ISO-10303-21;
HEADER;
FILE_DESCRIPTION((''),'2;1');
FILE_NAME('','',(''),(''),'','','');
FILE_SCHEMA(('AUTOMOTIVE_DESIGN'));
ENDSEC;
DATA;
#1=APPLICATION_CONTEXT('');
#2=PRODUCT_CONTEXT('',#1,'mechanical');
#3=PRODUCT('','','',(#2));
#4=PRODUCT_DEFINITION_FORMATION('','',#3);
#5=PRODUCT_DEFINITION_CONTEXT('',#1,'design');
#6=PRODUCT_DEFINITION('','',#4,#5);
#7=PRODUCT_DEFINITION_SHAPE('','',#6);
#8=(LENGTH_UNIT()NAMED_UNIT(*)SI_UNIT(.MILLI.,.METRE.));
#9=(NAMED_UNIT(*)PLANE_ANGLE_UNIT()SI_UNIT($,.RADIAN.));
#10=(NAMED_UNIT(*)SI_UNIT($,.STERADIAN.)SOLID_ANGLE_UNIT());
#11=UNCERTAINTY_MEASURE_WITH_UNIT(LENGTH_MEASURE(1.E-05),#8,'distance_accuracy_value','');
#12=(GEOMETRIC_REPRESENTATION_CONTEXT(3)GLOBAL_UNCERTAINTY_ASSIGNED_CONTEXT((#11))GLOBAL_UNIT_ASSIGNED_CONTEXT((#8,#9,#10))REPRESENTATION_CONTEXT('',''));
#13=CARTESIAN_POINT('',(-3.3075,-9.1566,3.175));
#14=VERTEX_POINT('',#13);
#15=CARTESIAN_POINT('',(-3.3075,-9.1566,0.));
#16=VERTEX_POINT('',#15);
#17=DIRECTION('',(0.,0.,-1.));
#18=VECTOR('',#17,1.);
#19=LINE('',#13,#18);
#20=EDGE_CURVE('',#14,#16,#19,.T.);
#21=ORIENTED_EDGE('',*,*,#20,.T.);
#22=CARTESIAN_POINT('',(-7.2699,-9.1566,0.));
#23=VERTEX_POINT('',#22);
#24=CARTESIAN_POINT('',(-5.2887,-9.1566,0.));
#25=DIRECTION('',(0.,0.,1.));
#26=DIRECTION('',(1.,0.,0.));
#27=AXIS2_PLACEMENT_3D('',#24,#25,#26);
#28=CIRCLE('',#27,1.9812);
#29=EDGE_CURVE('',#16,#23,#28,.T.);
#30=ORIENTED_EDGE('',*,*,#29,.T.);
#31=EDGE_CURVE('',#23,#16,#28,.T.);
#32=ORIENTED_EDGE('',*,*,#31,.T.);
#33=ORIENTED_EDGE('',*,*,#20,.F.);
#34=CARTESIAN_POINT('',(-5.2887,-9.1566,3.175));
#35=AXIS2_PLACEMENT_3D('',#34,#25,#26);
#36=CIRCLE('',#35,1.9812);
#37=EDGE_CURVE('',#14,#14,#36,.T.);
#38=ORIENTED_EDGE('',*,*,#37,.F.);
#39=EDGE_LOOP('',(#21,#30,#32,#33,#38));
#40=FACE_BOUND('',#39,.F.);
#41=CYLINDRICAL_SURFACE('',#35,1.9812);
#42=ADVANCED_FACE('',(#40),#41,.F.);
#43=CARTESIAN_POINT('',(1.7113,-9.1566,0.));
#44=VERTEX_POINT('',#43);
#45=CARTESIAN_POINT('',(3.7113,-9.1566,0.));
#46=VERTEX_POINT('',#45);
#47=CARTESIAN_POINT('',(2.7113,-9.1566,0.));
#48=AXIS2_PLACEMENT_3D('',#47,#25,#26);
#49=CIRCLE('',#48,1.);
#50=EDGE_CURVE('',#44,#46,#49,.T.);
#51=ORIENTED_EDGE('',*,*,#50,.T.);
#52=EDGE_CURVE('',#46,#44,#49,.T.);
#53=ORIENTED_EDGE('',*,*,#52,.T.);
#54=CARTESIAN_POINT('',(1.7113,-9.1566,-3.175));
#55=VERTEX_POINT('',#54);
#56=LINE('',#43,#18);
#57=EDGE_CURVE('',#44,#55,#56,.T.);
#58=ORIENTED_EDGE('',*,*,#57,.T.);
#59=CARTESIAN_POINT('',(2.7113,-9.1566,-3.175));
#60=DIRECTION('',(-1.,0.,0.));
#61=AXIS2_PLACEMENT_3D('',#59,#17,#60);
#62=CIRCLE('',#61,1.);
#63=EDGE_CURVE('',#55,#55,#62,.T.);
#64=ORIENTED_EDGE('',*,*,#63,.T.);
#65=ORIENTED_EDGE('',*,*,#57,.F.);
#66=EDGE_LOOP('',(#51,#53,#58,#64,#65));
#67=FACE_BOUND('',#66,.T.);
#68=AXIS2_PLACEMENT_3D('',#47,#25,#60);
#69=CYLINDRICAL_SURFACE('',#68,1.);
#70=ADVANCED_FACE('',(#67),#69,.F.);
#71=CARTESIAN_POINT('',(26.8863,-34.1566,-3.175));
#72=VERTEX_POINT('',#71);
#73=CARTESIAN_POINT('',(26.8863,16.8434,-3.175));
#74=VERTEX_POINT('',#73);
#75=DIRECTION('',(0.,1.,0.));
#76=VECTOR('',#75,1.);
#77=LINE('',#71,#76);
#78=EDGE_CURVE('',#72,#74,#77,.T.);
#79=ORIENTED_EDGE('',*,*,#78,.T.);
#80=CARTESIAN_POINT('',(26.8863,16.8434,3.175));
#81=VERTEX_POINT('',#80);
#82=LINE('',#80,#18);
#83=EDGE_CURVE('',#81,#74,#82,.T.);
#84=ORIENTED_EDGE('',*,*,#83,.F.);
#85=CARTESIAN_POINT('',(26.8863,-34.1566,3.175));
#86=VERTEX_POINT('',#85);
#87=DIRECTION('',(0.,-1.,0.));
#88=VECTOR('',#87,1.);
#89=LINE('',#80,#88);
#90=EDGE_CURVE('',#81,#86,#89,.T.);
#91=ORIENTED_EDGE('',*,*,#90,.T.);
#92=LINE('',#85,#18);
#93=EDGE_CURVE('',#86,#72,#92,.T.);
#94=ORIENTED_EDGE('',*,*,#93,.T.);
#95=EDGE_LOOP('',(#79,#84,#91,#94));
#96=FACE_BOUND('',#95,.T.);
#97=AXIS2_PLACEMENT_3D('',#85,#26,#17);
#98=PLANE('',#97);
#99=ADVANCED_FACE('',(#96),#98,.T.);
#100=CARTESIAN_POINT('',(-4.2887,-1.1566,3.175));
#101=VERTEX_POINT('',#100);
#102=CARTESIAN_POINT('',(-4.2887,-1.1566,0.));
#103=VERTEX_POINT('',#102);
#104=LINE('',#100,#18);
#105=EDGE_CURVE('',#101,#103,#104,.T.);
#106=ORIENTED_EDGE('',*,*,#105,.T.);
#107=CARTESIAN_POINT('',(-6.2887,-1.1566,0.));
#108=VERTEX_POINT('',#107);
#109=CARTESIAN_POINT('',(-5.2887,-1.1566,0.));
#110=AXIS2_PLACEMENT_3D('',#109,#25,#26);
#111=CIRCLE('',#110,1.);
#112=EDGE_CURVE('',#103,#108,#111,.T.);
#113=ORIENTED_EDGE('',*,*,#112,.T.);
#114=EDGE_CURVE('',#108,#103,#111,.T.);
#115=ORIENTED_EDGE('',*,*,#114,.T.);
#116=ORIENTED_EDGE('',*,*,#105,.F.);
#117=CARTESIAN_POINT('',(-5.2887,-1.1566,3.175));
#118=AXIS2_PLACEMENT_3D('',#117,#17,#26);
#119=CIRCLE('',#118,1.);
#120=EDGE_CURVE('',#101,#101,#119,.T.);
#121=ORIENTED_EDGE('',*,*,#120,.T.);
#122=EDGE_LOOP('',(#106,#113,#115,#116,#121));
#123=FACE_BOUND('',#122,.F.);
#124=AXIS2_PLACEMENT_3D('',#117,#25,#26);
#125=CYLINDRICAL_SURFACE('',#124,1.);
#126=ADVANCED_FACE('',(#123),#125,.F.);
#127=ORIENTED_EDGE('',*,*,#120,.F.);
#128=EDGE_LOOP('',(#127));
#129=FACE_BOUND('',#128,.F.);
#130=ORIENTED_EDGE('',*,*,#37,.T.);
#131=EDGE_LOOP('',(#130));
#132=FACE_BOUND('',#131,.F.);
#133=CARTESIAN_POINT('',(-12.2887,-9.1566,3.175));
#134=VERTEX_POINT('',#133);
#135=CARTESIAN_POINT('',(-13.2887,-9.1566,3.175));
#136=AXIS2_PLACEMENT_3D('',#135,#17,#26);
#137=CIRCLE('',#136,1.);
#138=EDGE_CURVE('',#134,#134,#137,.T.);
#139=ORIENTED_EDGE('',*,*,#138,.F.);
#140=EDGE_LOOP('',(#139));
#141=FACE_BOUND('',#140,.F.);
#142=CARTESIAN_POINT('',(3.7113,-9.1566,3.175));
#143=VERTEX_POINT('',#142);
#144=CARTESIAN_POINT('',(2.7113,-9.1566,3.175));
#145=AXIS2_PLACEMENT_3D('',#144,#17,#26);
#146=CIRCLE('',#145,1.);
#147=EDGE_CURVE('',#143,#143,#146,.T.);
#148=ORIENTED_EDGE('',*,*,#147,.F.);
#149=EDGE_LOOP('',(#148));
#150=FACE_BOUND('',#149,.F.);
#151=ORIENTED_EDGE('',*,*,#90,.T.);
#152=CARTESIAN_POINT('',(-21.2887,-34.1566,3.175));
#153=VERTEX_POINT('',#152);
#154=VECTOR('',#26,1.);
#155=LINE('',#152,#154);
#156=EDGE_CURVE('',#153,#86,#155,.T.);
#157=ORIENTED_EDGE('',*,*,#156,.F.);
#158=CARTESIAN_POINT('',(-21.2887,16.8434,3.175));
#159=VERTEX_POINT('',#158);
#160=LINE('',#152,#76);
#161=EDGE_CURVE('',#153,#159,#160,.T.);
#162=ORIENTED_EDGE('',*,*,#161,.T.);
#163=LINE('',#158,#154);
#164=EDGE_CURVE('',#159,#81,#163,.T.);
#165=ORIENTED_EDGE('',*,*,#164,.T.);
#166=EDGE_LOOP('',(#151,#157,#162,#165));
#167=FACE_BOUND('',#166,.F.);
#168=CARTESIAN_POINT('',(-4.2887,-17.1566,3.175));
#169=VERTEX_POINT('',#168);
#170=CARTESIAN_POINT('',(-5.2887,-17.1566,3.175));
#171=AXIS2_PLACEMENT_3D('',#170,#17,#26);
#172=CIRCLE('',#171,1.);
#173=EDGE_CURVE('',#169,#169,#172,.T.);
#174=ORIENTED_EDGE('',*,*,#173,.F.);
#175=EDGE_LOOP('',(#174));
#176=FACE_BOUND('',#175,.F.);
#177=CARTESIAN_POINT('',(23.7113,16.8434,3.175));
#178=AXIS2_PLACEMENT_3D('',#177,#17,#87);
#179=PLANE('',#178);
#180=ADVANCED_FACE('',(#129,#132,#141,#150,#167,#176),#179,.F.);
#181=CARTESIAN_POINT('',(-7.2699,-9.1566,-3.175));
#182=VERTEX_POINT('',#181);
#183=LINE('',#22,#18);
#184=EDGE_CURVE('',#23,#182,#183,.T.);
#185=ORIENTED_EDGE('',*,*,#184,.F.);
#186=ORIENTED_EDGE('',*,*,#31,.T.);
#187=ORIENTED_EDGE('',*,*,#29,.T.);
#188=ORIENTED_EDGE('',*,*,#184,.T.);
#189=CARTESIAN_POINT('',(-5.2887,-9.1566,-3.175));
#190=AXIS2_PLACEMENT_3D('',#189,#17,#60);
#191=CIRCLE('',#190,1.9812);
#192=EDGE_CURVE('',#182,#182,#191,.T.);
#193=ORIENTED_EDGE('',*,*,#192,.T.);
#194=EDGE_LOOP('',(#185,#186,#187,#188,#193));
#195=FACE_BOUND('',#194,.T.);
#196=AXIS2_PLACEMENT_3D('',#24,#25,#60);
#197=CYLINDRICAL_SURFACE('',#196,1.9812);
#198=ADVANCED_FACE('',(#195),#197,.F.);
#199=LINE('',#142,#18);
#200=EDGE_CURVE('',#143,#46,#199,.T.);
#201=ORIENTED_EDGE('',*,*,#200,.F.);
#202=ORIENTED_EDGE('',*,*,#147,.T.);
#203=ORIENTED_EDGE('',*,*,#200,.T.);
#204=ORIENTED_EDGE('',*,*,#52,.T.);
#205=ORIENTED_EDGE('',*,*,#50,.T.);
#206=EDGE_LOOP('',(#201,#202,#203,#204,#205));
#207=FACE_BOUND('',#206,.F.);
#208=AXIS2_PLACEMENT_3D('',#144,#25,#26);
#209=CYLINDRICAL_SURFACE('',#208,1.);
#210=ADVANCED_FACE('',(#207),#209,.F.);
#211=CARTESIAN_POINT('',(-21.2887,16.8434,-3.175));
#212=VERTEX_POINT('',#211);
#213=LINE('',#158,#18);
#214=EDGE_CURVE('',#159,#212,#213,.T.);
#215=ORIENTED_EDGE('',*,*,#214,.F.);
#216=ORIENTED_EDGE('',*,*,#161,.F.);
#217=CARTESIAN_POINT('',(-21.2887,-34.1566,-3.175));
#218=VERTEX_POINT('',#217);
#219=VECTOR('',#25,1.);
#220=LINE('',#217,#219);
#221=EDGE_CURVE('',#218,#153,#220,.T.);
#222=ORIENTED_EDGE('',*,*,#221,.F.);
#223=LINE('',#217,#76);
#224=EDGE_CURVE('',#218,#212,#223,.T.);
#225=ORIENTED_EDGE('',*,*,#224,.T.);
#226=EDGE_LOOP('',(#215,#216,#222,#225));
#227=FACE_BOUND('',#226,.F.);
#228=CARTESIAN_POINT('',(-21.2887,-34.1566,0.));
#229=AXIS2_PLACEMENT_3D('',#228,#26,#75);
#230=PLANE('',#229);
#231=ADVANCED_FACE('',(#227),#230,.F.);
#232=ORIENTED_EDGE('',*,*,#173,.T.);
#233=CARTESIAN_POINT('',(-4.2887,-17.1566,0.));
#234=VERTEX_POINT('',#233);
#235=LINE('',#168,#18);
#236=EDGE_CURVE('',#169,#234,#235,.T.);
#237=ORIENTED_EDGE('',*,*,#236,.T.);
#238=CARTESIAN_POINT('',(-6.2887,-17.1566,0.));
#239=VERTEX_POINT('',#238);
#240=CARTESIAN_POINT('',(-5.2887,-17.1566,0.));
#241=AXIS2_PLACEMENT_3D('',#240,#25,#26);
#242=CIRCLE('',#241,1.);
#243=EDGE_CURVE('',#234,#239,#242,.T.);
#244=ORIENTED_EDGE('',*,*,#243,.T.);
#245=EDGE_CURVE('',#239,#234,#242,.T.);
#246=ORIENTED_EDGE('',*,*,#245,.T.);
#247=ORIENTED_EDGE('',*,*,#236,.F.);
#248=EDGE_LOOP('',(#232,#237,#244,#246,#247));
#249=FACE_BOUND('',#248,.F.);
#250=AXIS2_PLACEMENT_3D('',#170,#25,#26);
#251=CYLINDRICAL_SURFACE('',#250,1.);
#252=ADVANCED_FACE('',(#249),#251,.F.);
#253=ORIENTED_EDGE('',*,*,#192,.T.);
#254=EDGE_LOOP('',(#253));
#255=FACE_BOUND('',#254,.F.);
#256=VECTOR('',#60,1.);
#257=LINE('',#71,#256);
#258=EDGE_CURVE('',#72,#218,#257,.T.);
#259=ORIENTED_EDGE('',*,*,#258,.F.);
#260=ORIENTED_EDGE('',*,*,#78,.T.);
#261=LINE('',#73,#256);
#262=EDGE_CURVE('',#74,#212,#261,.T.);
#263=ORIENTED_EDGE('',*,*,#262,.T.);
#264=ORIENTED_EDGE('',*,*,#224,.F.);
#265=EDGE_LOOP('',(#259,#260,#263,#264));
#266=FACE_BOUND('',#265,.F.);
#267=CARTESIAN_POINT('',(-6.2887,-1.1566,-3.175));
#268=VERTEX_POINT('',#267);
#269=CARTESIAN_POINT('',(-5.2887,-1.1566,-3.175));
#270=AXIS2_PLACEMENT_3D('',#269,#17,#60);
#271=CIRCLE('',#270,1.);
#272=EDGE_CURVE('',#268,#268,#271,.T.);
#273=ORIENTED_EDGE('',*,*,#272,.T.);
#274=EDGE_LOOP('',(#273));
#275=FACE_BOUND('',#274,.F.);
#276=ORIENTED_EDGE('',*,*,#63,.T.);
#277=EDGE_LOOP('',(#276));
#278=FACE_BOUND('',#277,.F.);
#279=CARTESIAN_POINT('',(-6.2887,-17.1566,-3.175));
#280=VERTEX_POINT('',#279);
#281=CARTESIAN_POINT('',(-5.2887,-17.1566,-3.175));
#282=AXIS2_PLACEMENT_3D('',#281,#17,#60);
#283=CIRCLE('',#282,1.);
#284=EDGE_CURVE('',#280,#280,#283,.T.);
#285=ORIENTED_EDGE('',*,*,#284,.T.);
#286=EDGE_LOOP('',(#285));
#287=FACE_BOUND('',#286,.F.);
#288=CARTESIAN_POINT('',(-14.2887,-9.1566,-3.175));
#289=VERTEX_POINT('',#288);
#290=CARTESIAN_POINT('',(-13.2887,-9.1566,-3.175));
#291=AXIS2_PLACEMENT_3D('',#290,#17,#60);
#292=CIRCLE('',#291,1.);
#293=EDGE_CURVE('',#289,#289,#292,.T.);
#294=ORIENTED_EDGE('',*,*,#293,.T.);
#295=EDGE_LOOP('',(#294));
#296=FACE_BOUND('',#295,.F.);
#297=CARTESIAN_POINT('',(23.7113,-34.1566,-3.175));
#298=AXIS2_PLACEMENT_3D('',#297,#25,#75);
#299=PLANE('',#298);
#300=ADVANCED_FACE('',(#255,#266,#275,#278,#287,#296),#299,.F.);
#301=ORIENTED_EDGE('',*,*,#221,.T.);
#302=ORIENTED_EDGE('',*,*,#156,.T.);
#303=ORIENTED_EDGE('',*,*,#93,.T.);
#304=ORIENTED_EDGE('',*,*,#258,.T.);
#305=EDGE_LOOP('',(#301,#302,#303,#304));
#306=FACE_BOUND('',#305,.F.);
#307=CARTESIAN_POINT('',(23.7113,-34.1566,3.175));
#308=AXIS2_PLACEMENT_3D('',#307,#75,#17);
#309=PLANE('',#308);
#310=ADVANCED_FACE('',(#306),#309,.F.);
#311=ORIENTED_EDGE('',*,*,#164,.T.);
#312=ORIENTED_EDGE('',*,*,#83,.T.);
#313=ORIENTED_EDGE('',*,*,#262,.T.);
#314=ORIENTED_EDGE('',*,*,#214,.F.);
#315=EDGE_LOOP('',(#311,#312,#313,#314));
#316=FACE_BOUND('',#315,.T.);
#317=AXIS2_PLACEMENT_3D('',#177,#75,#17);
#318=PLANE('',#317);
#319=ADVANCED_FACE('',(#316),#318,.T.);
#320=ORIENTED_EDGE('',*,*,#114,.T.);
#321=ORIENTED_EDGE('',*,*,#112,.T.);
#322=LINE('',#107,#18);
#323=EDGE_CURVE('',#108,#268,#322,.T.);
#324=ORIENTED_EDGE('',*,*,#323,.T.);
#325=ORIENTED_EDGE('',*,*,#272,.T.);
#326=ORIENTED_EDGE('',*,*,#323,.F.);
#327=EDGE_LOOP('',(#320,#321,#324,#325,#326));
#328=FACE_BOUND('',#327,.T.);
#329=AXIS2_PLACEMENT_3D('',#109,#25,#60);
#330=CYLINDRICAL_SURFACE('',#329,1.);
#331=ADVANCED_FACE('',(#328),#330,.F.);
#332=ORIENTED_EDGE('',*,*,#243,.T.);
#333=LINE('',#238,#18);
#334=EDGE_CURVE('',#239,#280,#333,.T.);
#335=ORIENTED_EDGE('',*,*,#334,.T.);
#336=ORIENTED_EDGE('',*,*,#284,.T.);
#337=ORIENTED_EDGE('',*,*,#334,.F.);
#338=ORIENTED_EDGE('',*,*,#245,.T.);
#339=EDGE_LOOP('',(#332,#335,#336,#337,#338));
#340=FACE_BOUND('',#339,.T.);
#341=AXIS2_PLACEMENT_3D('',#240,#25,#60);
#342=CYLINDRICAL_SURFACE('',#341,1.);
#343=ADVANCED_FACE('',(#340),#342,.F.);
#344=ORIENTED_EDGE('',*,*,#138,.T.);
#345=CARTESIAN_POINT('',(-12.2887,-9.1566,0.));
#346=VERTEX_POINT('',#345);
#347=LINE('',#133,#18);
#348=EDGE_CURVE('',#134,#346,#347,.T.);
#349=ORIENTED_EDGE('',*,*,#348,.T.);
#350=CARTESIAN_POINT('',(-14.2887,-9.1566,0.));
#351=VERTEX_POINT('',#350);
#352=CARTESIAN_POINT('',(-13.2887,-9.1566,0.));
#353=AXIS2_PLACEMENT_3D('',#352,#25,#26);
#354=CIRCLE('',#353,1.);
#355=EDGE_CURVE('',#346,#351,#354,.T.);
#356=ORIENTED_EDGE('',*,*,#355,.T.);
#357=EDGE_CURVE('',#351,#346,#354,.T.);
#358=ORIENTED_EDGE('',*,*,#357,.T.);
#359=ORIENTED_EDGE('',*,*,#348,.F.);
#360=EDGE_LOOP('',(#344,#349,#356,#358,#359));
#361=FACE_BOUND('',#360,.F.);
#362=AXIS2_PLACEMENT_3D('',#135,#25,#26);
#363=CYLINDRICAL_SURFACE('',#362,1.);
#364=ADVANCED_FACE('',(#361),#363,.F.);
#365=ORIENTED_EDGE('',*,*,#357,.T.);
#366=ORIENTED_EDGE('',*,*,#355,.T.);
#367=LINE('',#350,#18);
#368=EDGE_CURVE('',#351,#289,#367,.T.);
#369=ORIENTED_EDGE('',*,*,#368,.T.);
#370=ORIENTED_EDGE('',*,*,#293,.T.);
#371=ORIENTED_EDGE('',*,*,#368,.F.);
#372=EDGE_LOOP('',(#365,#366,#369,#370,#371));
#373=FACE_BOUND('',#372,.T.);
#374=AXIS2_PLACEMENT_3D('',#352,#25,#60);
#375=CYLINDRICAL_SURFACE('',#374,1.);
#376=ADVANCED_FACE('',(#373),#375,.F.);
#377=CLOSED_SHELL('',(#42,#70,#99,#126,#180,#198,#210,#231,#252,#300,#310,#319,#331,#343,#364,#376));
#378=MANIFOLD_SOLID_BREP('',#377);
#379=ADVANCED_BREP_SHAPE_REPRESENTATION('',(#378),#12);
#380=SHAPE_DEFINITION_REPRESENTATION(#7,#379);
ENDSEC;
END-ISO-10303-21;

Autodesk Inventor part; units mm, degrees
ref_plane "YZ Plane" through (0, 0, 0) normal (1, 0, 0) x (0, 1, 0)
ref_plane "XZ Plane" through (0, 0, 0) normal (0, 1, 0) x (-1, 0, 0)
ref_plane "XY Plane" through (0, 0, 0) normal (0, 0, 1) x (1, 0, 0)
sketch "Sketch1" plane through (0, 0, 0) normal (0, 0, 1) x (1, 0, 0)
  line L0 (-21.2887, 16.8434) -> (23.7113, 16.8434)
  line L1 (23.7113, 16.8434) -> (23.7113, -34.1566)
  line L2 (23.7113, -34.1566) -> (-21.2887, -34.1566)
  line L3 (-21.2887, -34.1566) -> (-21.2887, 16.8434)
  point P0 (0, 0)
  dimension "d0" = 45
  dimension "d1" = 51
extrude "Extrusion1" add sketch "Sketch1" along normal blind 3.175
sketch "Sketch2" plane through (0, 0, 3.175) normal (0, 0, 1) x (1, 0, 0)
  line L0 (-21.2887, -34.1566) -> (-21.2887, 16.8434) projected
  line L1 (-21.2887, -34.1566) -> (-21.2887, -9.1566)
  circle A0 centre (-5.2887, -9.1566) radius 8
  circle A1 centre (-13.2887, -9.1566) radius 1
  circle A2 centre (-5.2887, -1.1566) radius 1
  circle A3 centre (2.7113, -9.1566) radius 1
  circle A4 centre (-5.2887, -17.1566) radius 1
  point P0 (0, 0)
  dimension "d4" = 25
  dimension "d6" = 16
  dimension "d7" = 2
  dimension "d8" = 2
  dimension "d9" = 2
  dimension "d10" = 2
  dimension "d11" = 16
extrude "Extrusion2" cut sketch "Sketch2" against normal blind 25.4 contours A0 A3 | A0 A3 | A2 A0 | A0 A2 | A4 A0 | A0 A4 | A1 A0 | A0 A1
sketch "Sketch3" plane through (0, 0, 3.175) normal (0, 0, 1) x (1, 0, 0)
  circle A0 centre (-5.2887, -9.1566) radius 1.9812
  point P0 (0, 0)
  dimension "d14" = 3.9624
extrude "Extrusion3" cut sketch "Sketch3" against normal blind 25.4
sketch "Sketch4" plane through (0, 0, 0) normal (0, 0, -1) x (-1, 0, 0)
  circle A0 centre (5.2887, -9.1566) radius 1.9812 projected
  circle A1 centre (5.2887, -17.1566) radius 1 projected
  circle A2 centre (13.2887, -9.1566) radius 1 projected
  circle A3 centre (5.2887, -1.1566) radius 1 projected
  circle A4 centre (-2.7113, -9.1566) radius 1 projected
  line L0 (21.2887, 16.8434) -> (-23.7113, 16.8434) projected
  line L1 (-23.7113, 16.8434) -> (-23.7113, -34.1566) projected
  line L2 (-23.7113, -34.1566) -> (21.2887, -34.1566) projected
  line L3 (21.2887, -34.1566) -> (21.2887, 16.8434) projected
  line L4 (-23.7113, -34.1566) -> (-17.3613, -34.1566)
  point P0 (0, 0)
  dimension "d17" = 6.35
extrude "Extrusion4" add sketch "Sketch4" along normal blind 3.175
sketch "Sketch5" plane through (23.7113, -34.1566, 3.175) normal (1, 0, 0) x (0, 0, -1)
  line L0 (0, 51) -> (0, 0) projected
  line L1 (0, 0) -> (6.35, 0) projected
  line L2 (6.35, 0) -> (6.35, 51) projected
  line L3 (0, 51) -> (6.35, 51) projected
  point P0 (3.175, 34.1566)
extrude "Extrusion5" add sketch "Sketch5" along normal blind 3.175
properties part number "sidebase"
